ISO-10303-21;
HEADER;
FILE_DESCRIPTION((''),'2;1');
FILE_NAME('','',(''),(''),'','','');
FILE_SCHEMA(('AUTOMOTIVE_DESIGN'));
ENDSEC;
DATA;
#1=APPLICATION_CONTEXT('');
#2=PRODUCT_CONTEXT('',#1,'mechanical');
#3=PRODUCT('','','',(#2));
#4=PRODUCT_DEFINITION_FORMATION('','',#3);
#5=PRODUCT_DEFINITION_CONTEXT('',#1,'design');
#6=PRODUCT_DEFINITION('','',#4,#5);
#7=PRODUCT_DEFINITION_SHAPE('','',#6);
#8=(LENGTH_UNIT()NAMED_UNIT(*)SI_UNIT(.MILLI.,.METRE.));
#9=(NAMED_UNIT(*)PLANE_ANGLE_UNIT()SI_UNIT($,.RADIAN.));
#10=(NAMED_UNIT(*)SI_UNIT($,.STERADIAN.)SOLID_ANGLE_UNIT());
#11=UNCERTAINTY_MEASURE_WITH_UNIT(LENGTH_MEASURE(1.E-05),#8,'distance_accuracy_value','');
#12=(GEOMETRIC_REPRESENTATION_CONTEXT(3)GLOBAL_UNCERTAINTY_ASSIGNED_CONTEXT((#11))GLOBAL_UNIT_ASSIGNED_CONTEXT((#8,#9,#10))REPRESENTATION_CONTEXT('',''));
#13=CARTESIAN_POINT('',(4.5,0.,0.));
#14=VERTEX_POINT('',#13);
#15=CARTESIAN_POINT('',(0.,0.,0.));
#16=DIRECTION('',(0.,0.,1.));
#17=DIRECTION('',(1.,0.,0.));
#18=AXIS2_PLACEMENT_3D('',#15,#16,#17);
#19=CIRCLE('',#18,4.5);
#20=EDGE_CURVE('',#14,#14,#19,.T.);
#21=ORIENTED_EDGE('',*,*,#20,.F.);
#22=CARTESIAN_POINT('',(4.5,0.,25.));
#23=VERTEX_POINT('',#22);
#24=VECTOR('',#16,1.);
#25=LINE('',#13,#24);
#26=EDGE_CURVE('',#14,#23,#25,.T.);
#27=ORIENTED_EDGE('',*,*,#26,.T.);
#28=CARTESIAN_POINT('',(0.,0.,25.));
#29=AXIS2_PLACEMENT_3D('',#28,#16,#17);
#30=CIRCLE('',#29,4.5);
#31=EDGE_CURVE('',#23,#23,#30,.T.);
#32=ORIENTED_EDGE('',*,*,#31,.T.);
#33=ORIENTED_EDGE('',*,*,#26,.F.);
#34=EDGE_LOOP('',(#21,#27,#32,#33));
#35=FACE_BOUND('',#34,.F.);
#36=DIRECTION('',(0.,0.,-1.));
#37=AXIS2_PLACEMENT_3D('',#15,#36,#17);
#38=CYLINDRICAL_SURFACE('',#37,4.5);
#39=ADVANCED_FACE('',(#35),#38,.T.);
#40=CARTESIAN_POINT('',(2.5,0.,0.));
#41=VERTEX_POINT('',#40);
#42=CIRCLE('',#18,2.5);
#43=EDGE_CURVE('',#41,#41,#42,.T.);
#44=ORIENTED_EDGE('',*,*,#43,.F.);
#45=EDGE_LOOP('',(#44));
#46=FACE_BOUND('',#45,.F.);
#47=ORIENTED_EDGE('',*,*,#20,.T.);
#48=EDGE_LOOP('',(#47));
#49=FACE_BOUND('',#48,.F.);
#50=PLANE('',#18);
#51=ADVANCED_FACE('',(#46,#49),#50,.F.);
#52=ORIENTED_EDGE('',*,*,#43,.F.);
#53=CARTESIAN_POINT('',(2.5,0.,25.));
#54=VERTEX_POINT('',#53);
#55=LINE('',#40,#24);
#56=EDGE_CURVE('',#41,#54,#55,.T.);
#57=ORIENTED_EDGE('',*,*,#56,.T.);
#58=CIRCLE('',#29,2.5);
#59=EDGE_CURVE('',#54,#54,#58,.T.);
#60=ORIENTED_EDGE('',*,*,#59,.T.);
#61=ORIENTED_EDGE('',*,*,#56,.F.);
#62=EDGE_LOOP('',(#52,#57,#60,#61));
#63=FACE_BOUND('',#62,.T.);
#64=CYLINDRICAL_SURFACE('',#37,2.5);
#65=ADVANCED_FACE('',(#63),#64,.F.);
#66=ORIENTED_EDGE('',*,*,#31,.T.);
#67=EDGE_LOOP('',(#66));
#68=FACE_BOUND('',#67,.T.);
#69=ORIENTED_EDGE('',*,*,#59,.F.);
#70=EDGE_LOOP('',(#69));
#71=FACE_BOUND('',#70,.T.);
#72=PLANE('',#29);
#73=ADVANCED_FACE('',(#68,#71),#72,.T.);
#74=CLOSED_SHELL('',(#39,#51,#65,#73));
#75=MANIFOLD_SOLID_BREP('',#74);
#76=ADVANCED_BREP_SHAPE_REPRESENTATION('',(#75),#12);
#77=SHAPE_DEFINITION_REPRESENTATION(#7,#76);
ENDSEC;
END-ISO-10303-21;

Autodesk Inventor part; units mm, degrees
ref_plane "YZ Plane" through (0, 0, 0) normal (1, 0, 0) x (0, 1, 0)
ref_plane "XZ Plane" through (0, 0, 0) normal (0, 1, 0) x (-1, 0, 0)
ref_plane "XY Plane" through (0, 0, 0) normal (0, 0, 1) x (1, 0, 0)
sketch "Szkic1" plane through (0, 0, 0) normal (0, 0, 1) x (1, 0, 0)
  circle A0 centre (0, 0) radius 2.5
  circle A1 centre (0, 0) radius 4.5
  dimension "d0" = 5
  dimension "d1" = 9
extrude "Wyciągnięcie proste1" add sketch "Szkic1" along normal blind 25
properties part number "tuleja_M5_M9_25"
